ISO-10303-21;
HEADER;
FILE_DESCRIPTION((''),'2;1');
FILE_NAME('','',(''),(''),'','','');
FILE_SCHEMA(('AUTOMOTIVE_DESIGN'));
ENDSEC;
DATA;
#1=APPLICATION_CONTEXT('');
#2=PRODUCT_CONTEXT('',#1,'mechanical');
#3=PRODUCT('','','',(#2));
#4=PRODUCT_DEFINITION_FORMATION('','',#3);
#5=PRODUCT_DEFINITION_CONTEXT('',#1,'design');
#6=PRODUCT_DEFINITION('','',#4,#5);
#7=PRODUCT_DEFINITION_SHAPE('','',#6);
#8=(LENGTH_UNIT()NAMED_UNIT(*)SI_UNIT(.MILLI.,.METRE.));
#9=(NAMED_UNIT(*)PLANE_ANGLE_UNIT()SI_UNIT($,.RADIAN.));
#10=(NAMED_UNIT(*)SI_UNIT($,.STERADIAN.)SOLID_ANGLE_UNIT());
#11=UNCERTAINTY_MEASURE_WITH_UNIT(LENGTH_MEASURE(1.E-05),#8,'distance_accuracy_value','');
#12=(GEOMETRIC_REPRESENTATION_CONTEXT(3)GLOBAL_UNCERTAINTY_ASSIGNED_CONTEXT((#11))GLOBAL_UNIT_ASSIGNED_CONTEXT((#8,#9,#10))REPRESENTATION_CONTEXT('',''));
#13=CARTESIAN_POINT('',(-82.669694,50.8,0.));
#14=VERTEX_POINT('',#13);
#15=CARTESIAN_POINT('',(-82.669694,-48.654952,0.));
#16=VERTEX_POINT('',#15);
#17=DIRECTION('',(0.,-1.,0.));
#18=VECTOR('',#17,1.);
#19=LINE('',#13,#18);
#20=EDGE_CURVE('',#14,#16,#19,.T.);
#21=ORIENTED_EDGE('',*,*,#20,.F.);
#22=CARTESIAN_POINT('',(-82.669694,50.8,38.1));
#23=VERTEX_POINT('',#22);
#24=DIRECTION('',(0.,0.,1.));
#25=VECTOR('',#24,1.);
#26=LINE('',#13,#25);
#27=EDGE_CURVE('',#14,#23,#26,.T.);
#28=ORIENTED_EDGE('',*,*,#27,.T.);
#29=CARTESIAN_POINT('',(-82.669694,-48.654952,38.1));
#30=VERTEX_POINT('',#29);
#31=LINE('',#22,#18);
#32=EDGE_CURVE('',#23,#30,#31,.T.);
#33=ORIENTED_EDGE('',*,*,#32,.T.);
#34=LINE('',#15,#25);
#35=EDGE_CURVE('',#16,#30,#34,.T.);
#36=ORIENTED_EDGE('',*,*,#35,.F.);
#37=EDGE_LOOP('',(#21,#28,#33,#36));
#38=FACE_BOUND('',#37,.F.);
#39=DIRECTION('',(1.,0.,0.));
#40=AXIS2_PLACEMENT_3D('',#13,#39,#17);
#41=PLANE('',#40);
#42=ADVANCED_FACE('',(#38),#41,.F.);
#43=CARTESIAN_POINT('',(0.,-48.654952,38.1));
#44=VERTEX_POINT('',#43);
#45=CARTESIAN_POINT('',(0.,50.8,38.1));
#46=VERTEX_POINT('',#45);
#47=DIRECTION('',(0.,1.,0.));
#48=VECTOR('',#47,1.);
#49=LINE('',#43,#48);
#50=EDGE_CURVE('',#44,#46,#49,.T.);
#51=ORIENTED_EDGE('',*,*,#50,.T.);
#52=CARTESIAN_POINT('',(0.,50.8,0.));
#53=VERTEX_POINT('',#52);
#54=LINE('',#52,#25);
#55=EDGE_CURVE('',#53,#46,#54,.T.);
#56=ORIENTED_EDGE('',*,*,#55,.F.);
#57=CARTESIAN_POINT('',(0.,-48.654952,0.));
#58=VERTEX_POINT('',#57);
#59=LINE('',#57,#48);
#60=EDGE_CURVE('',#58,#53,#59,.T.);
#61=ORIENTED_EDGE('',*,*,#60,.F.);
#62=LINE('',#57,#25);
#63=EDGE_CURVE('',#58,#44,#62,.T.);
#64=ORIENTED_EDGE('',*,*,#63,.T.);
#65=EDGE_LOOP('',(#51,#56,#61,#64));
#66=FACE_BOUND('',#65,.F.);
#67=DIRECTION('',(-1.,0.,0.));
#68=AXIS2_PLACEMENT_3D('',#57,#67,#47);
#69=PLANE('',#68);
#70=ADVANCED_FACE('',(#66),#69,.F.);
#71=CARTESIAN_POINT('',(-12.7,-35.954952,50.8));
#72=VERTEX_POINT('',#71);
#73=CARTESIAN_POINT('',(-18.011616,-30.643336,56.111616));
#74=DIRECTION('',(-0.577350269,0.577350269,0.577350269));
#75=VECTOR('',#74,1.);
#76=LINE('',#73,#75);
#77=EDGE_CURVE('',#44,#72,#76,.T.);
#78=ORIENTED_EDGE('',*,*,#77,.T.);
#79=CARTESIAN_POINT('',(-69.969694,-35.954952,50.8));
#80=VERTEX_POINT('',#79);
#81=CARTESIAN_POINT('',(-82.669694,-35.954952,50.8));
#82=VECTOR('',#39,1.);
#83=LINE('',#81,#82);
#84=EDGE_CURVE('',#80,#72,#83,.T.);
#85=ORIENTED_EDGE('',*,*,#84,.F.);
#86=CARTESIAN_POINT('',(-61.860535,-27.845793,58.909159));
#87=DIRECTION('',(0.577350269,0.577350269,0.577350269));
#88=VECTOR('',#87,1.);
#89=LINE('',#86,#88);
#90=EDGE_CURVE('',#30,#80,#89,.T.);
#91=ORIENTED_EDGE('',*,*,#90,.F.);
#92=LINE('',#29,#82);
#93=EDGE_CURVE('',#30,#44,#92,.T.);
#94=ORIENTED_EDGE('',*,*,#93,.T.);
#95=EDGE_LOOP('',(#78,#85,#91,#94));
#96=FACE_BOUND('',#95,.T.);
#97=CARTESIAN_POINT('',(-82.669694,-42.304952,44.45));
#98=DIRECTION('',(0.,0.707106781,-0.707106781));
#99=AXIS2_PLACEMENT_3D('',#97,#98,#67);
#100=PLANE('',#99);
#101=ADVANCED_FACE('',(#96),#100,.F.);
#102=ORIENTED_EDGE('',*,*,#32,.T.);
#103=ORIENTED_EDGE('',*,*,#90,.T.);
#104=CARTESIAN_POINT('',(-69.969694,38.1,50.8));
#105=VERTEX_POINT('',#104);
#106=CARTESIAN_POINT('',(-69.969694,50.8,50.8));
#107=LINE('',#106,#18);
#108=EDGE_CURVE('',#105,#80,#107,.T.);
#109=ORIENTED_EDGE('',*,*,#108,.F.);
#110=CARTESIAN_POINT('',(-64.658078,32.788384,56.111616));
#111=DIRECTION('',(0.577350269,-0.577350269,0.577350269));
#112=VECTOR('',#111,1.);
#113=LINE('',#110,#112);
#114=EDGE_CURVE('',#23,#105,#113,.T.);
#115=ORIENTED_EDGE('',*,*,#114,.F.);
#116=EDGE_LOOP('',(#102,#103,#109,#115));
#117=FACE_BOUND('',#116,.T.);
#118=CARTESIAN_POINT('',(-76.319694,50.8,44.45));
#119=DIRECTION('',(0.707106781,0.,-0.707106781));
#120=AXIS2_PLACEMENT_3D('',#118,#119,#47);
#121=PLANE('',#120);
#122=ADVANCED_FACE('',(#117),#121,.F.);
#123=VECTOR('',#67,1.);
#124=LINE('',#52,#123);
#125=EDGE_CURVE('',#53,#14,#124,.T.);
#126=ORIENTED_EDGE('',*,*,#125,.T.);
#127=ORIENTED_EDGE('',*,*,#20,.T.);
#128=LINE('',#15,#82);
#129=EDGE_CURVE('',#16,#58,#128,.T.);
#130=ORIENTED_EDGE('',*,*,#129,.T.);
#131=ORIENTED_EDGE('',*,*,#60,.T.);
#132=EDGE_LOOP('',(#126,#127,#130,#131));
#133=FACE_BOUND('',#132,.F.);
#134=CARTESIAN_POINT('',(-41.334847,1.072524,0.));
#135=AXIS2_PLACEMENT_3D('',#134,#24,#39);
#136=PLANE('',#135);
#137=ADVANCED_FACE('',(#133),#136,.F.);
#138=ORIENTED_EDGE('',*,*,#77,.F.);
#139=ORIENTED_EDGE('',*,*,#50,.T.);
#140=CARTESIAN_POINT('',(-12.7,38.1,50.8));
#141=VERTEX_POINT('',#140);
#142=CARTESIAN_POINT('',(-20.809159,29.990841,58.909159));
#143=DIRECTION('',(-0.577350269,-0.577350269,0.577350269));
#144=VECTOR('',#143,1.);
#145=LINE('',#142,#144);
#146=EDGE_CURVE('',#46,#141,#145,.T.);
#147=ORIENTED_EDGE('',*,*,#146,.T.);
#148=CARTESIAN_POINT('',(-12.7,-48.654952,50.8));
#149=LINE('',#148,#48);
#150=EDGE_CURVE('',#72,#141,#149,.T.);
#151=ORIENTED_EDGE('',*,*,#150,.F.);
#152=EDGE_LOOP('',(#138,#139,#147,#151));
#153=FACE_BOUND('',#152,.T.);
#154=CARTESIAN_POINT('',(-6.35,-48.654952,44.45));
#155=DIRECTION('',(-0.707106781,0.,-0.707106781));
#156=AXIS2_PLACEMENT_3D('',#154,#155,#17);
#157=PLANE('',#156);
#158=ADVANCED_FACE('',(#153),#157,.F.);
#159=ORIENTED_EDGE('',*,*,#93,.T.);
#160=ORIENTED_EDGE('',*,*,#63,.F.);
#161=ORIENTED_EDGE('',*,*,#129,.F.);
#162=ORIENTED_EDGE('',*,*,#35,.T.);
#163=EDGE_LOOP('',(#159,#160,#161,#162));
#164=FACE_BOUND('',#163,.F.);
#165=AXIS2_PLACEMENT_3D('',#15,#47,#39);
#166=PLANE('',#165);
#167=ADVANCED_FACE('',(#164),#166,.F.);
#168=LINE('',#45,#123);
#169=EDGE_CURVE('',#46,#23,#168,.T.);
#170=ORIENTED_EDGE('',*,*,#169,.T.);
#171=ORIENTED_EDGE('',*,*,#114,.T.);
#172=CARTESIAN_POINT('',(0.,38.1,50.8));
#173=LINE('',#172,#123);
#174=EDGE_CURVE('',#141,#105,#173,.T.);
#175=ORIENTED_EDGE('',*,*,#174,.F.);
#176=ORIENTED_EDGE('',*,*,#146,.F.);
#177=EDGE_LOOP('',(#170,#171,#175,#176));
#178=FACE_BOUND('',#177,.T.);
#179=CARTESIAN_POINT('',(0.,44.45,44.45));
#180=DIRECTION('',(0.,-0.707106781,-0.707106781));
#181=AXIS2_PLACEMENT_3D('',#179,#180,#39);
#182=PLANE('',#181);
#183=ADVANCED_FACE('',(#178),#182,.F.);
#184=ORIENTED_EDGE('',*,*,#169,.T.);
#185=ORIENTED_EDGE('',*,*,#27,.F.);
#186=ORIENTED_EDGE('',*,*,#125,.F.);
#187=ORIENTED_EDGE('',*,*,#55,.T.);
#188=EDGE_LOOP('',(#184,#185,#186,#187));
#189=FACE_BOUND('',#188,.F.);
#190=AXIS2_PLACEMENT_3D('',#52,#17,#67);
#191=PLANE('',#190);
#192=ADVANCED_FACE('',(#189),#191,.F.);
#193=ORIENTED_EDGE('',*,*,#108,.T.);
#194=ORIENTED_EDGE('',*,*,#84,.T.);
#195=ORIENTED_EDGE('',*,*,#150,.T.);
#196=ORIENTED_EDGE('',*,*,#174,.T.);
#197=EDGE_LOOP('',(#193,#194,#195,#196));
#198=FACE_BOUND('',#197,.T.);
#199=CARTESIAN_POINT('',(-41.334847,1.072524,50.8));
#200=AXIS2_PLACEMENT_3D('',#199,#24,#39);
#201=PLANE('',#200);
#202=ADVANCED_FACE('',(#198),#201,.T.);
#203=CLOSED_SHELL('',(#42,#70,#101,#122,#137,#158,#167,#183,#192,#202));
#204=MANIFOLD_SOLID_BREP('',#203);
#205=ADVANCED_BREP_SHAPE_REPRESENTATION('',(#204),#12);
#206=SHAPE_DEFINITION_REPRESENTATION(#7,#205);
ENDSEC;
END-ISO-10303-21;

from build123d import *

# Parameters (mm, degrees)
F1_DEPTH = 50.8
F2_SIZE  = 12.7


with BuildPart() as f1:
    # F0 (on Top) → F1 (new body)
    with BuildSketch(Plane.XY):
        Polygon((-82.669694, 0), (-82.669694, -48.654952), (0, -48.654952), (0, 50.8), (-71.840628, 50.8), (-82.669694, 50.8), align=None)
    extrude(amount=F1_DEPTH)

    # F2
    f2_edges = [f1.edges().sort_by_distance(p)[0] for p in [
        (-41.334847, -48.654952, 50.8),
        (-82.669694, 1.072524, 50.8),
        (0, 1.072524, 50.8),
        (-41.334847, 50.8, 50.8),
    ]]
    chamfer(f2_edges, length=F2_SIZE)


solid = f1.part
